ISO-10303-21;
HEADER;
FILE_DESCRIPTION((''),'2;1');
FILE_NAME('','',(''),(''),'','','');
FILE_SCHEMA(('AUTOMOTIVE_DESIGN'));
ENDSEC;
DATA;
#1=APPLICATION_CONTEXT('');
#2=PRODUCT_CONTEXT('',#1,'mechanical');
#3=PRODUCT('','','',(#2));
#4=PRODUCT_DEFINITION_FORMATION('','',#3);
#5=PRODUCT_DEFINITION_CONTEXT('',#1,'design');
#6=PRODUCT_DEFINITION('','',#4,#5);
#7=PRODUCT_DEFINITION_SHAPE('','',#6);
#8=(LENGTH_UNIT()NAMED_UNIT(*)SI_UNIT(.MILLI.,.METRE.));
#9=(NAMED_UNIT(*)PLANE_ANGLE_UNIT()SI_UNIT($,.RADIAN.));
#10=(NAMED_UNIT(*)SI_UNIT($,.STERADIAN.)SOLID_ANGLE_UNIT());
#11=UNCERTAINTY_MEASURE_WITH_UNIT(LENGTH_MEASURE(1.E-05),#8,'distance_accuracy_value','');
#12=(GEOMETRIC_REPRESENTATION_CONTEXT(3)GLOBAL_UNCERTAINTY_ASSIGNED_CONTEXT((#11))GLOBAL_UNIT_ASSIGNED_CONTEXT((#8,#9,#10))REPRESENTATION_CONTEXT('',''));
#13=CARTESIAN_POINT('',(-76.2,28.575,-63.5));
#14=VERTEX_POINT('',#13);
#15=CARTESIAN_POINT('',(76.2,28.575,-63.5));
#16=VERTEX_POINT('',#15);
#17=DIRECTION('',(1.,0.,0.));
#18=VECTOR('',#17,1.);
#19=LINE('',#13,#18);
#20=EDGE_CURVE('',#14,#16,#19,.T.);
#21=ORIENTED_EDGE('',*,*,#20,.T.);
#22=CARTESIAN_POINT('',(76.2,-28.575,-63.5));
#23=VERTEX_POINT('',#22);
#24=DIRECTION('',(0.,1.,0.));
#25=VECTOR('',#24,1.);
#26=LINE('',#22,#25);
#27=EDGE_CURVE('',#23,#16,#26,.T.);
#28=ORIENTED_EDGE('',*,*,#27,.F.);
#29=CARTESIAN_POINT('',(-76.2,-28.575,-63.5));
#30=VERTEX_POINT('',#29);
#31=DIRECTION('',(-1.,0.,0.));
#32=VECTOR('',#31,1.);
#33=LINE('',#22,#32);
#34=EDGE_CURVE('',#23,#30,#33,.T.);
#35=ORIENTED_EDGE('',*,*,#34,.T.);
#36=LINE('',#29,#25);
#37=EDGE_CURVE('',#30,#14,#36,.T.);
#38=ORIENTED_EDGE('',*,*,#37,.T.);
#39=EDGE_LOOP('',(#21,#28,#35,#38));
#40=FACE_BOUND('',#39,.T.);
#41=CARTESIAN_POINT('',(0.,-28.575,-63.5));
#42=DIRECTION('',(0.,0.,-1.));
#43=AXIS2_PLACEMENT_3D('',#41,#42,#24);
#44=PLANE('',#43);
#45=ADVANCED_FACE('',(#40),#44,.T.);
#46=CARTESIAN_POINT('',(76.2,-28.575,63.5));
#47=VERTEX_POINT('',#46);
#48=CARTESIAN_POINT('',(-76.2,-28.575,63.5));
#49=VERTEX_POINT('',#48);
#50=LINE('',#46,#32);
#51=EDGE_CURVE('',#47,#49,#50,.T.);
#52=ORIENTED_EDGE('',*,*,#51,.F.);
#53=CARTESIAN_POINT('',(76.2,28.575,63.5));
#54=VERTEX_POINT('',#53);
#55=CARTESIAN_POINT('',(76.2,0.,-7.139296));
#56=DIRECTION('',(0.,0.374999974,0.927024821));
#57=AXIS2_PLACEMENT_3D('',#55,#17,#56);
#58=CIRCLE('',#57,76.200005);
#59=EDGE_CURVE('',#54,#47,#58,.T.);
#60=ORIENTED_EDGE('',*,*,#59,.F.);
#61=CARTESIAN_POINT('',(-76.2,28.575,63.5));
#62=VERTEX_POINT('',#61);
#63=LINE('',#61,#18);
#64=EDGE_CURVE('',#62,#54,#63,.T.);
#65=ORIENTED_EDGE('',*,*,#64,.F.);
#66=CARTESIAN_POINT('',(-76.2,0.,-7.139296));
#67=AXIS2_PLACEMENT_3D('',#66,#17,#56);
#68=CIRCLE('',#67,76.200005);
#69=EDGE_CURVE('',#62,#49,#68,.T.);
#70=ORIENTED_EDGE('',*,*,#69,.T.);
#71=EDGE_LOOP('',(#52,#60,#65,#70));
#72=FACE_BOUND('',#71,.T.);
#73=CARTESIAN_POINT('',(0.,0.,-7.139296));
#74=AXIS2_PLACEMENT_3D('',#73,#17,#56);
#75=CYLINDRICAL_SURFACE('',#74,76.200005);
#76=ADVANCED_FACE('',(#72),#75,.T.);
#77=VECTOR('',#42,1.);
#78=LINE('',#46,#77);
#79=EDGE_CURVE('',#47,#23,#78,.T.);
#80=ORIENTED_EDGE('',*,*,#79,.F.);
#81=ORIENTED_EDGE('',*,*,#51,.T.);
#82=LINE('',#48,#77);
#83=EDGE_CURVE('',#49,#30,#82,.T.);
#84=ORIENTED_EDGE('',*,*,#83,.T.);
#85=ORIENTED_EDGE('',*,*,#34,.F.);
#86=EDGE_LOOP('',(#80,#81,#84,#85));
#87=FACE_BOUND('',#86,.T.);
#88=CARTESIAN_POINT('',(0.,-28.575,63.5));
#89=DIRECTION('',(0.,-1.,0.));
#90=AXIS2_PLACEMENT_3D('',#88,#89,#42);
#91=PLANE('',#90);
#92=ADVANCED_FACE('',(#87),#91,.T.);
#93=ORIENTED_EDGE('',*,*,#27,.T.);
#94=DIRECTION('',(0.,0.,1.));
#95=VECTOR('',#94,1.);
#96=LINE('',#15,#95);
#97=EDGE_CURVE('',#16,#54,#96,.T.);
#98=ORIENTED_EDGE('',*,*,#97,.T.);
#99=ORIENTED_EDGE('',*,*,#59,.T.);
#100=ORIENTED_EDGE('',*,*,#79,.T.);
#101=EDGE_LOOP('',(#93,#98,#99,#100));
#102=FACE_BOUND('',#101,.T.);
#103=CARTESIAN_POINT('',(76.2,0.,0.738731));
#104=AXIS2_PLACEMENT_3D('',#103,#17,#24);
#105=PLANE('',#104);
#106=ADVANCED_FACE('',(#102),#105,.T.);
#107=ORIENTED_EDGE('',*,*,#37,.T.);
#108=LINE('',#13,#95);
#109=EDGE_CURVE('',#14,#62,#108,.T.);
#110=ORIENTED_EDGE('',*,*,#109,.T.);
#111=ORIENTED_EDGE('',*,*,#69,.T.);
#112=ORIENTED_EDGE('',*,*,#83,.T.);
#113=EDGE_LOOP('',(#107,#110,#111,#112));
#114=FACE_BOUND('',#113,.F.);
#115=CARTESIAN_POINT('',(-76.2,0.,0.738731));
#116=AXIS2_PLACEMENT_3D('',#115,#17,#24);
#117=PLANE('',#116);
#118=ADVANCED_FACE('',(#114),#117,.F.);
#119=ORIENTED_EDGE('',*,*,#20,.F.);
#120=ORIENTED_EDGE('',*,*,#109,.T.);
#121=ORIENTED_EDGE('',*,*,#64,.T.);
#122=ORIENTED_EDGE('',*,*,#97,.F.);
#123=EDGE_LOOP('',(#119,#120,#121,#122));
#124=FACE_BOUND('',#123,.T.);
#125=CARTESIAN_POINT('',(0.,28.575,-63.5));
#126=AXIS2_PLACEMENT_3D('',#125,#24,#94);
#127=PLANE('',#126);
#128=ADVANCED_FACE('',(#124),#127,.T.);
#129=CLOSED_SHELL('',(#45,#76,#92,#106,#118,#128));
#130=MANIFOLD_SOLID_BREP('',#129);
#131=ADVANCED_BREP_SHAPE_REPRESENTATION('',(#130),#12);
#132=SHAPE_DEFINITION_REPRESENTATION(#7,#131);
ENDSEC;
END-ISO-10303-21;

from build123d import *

# Parameters (mm, degrees)
F1_DEPTH      = 76.2
F1_DEPTH_BACK = 76.2


with BuildPart() as f1:
    # F0 (on Right) → F1 (new body, two sides)
    with BuildSketch(Plane.YZ) as f1_sk:
        with BuildLine():
            Line((-28.575, -63.5), (28.575, -63.5))
            Line((28.575, -63.5), (28.575, 63.5))
            ThreePointArc((28.575, 63.5), (0, 69.060709), (-28.575, 63.5))
            Line((-28.575, 63.5), (-28.575, -63.5))
        make_face()
    extrude(amount=F1_DEPTH)
    extrude(f1_sk.sketch, amount=-F1_DEPTH_BACK)


solid = f1.part
